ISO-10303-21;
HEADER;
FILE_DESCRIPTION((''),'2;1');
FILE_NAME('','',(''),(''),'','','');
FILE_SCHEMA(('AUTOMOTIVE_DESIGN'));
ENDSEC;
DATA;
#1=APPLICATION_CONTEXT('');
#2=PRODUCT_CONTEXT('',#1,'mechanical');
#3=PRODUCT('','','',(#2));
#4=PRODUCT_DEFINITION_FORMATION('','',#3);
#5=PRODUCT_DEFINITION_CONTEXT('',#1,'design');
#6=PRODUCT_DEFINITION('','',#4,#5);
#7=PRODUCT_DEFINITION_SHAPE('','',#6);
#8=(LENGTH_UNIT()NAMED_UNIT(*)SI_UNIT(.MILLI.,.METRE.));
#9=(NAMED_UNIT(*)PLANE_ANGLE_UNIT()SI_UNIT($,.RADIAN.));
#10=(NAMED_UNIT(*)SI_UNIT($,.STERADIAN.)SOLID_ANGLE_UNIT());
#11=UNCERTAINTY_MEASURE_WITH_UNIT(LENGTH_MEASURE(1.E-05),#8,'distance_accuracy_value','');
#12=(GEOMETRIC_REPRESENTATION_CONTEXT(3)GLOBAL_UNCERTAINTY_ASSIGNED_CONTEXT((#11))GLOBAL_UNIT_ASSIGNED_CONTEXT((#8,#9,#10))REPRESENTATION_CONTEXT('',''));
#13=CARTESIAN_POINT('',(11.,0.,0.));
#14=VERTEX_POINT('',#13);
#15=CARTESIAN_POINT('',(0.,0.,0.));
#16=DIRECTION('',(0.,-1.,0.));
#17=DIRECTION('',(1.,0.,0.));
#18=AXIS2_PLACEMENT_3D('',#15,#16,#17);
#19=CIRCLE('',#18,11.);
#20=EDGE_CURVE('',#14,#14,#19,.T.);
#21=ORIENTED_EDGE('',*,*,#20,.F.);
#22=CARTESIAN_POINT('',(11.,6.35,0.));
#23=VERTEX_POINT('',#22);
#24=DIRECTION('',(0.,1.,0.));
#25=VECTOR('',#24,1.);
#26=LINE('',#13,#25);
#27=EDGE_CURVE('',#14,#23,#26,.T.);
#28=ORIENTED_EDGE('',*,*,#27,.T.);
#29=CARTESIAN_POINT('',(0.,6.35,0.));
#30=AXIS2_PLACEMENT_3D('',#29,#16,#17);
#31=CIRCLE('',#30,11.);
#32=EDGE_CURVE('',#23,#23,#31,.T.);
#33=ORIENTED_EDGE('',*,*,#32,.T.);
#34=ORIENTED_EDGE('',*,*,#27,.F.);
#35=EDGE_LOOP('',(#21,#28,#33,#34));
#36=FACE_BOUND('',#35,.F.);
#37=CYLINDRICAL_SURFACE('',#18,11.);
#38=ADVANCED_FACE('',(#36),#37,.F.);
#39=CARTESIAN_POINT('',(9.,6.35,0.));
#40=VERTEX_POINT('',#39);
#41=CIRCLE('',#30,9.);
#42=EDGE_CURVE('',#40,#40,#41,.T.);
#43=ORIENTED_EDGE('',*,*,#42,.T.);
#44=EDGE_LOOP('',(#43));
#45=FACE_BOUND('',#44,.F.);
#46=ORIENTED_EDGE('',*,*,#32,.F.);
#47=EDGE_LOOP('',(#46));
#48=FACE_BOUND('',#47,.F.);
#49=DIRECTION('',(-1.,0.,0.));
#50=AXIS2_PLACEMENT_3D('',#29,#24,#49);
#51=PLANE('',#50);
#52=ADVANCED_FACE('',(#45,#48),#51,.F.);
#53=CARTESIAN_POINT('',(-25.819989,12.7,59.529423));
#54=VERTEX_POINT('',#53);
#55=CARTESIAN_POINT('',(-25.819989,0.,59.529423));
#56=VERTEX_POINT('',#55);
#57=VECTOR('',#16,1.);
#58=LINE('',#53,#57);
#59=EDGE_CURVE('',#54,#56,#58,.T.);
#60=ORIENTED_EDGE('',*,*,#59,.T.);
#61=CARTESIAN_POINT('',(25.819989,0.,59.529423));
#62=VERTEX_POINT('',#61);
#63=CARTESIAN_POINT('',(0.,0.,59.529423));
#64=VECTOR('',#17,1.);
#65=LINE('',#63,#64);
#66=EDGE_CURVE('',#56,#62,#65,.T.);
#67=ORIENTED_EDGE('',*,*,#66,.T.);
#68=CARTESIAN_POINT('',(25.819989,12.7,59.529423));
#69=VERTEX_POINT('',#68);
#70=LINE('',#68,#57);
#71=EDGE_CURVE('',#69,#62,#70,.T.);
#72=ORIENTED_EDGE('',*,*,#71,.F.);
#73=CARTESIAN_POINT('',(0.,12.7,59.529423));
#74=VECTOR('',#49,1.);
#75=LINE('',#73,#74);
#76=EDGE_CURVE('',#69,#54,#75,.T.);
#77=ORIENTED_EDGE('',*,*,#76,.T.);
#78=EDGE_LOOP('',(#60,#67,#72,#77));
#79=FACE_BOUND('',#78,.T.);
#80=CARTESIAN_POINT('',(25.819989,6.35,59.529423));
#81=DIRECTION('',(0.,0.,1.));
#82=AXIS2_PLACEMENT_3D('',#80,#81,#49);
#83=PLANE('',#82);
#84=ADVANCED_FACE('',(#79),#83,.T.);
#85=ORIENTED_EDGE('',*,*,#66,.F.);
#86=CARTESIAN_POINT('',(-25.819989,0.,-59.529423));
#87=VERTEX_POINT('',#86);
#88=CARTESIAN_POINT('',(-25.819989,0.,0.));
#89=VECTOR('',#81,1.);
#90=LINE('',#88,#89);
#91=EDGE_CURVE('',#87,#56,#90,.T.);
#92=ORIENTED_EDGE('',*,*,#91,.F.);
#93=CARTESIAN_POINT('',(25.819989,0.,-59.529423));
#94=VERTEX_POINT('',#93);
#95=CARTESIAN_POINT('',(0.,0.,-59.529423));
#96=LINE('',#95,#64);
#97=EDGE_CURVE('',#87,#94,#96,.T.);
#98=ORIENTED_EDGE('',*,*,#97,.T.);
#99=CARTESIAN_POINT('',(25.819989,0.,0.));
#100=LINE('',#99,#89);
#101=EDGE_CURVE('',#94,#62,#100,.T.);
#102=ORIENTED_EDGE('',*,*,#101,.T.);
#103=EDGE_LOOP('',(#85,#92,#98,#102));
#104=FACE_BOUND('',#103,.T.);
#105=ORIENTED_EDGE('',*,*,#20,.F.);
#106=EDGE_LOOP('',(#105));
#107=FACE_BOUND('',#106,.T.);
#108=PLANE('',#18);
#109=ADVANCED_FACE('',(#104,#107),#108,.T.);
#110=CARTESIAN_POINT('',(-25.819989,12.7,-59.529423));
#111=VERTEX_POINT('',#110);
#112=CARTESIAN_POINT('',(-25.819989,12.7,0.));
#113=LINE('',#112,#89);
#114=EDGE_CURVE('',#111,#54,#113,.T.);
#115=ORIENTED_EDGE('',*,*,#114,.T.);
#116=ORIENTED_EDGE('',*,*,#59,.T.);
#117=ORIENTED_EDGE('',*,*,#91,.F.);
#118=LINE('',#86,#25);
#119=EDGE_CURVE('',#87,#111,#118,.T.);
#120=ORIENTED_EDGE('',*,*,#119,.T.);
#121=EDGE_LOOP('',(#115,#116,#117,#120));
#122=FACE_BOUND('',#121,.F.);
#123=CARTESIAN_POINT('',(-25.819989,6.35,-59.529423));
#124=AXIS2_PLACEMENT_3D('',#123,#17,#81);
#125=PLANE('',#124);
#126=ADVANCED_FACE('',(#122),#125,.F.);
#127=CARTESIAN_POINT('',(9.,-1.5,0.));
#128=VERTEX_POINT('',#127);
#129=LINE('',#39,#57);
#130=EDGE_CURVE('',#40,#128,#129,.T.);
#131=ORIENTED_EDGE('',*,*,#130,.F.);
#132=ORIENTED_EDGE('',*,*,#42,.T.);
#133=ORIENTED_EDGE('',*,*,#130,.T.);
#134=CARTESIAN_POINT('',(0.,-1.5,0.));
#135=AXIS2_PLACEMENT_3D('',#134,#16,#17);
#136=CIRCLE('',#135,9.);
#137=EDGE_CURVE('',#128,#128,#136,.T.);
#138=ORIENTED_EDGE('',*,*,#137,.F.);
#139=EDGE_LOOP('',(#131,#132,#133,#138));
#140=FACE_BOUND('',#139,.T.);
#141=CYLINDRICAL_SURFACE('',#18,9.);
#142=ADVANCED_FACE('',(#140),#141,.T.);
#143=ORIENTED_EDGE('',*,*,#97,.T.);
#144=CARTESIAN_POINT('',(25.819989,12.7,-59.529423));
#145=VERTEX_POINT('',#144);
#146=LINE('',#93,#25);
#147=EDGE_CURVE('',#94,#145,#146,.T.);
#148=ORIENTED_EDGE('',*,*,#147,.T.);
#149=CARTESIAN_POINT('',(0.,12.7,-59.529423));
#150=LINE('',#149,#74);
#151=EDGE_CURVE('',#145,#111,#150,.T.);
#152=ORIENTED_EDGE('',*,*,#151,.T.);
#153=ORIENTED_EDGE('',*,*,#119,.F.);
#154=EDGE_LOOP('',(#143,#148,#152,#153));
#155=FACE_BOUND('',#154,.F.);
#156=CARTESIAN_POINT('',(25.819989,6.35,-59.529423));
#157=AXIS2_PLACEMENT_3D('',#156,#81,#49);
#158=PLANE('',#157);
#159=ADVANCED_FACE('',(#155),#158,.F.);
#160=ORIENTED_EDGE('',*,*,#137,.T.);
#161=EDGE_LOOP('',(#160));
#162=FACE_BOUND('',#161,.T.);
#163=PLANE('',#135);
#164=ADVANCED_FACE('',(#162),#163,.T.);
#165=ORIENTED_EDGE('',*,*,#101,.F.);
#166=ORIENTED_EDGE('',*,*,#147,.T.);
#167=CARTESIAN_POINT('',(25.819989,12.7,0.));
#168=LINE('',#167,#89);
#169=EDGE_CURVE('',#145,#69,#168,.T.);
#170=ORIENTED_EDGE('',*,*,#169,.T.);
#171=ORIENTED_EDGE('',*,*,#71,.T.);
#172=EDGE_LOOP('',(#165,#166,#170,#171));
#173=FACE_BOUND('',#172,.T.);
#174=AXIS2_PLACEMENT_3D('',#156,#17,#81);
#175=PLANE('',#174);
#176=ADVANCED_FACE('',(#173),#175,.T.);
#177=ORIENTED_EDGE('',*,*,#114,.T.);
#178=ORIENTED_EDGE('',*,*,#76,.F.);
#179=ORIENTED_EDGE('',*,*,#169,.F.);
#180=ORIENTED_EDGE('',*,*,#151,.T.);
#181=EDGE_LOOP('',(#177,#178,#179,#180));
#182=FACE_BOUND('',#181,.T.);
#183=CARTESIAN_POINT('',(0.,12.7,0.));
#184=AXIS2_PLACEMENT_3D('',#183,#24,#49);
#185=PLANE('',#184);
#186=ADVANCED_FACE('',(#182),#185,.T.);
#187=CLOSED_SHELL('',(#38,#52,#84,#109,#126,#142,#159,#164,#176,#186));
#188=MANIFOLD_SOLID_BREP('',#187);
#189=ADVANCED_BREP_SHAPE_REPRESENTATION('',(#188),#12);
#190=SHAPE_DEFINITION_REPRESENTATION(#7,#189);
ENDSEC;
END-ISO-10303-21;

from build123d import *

# Parameters (mm, degrees)
F0_R          = 9
F1_DEPTH      = 10
F1_DEPTH_BACK = 1.5
F2_W          = 51.6399771267
F2_H          = 119.0588462234
F2_R          = 11
F3_DEPTH      = 6.35
F4_W          = 51.6399771267
F4_H          = 119.0588462234
F5_DEPTH      = 6.35


with BuildPart() as f1:
    # F0 (on Front) → F1 (new body, two sides)
    with BuildSketch(Plane.XZ) as f1_sk:
        Circle(F0_R)
    extrude(amount=-F1_DEPTH)
    extrude(f1_sk.sketch, amount=F1_DEPTH_BACK)



with BuildPart() as f3:
    # F2 (on Front) → F3 (new body)
    with BuildSketch(Plane.XZ):
        Rectangle(F2_W, F2_H)
        Circle(F2_R, mode=Mode.SUBTRACT)
    extrude(amount=-F3_DEPTH)


with BuildPart() as f1_1:
    add(f1.part)

    add(f3.part)  # F5 merges F3
    # F4 (on face) → F5 (join)
    with BuildSketch(Plane(origin=(0, 6.35, 0), x_dir=(-1, 0, 0), z_dir=(0, 1, 0))):
        Rectangle(F4_W, F4_H)
    extrude(amount=F5_DEPTH)


solid = f1_1.part
